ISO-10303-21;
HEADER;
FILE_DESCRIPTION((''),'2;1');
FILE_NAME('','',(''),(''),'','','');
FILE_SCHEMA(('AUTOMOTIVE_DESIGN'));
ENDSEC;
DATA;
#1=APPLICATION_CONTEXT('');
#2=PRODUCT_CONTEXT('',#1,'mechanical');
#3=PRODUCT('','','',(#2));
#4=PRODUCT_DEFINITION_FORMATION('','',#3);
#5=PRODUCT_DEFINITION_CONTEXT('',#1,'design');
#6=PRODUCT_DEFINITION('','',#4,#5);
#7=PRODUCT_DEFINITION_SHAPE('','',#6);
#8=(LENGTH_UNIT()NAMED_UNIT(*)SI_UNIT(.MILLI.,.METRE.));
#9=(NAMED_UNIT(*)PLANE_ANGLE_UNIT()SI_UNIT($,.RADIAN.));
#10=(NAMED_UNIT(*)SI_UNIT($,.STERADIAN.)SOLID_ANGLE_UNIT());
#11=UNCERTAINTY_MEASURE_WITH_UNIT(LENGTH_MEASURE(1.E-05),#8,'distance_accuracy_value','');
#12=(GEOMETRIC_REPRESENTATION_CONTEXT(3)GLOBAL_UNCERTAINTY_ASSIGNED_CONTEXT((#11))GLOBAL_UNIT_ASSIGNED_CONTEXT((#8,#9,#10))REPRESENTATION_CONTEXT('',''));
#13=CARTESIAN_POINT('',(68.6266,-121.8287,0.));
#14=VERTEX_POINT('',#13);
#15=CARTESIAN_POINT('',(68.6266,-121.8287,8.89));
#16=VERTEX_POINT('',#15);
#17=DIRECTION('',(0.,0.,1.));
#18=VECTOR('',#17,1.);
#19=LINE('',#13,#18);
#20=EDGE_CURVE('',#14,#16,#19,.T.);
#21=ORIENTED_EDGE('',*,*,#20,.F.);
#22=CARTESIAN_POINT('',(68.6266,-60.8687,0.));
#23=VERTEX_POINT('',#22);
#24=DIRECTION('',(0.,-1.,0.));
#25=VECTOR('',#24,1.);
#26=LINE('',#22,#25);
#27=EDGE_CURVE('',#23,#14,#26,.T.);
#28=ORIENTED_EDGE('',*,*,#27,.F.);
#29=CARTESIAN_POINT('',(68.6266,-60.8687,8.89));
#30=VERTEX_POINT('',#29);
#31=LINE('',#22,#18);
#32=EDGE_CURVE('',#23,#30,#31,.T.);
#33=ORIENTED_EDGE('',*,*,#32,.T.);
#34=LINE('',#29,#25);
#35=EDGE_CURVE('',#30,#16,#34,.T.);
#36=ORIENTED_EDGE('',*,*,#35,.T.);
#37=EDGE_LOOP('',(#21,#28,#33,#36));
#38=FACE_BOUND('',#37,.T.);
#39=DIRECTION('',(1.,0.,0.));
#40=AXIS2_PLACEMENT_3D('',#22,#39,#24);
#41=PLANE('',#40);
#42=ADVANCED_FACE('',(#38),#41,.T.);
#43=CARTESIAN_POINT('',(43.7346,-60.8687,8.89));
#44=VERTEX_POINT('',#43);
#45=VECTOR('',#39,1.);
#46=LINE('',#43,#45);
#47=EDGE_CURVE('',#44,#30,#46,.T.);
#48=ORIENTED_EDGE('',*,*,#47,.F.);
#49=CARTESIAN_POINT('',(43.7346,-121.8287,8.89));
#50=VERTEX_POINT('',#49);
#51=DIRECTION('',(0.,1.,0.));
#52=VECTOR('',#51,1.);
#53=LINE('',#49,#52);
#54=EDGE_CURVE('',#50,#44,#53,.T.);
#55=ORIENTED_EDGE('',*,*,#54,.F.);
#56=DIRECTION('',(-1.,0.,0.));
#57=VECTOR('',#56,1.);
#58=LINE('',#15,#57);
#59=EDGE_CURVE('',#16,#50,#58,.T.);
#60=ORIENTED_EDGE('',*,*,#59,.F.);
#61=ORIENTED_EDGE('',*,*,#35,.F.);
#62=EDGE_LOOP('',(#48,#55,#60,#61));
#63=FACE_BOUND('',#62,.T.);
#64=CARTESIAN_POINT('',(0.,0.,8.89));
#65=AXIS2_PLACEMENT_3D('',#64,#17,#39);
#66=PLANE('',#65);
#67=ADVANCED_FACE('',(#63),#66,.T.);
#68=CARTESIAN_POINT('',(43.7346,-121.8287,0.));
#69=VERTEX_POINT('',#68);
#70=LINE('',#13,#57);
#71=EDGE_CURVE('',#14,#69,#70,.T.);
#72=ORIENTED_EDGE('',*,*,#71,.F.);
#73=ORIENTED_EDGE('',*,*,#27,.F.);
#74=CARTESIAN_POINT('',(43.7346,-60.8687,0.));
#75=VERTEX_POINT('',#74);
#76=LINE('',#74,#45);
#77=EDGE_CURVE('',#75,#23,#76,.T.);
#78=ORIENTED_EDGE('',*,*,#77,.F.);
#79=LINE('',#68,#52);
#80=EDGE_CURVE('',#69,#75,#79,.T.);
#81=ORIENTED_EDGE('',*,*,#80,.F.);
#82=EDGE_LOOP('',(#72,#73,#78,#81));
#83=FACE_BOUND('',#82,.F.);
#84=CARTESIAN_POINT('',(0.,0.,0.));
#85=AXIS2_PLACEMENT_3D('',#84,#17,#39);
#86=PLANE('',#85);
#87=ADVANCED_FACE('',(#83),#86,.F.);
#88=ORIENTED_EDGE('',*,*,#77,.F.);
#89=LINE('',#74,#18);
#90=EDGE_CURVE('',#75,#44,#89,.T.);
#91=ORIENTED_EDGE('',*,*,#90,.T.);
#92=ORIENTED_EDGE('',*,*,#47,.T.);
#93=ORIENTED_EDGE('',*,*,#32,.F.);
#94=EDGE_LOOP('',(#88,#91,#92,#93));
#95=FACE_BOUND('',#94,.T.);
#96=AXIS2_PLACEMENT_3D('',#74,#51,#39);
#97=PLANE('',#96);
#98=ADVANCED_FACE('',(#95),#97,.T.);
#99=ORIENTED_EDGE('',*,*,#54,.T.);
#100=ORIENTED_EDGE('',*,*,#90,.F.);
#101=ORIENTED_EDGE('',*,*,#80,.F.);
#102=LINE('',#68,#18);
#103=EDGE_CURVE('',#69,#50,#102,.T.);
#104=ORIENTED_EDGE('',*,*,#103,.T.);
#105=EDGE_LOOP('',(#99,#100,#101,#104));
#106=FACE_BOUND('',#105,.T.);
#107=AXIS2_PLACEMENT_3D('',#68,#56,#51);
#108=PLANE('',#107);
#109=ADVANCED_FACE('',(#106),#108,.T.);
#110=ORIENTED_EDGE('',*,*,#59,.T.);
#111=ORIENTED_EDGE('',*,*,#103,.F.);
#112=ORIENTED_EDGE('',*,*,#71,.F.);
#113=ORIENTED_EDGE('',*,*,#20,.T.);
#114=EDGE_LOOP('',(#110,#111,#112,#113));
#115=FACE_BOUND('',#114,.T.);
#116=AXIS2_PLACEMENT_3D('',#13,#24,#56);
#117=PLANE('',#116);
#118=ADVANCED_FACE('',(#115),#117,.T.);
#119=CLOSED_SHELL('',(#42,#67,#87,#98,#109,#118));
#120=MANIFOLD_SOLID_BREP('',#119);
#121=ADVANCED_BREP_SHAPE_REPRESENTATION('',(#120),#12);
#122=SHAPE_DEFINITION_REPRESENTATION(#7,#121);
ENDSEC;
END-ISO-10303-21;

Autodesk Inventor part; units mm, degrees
ref_plane "YZ Plane" through (0, 0, 0) normal (1, 0, 0) x (0, 1, 0)
ref_plane "XZ Plane" through (0, 0, 0) normal (0, 1, 0) x (-1, 0, 0)
ref_plane "XY Plane" through (0, 0, 0) normal (0, 0, 1) x (1, 0, 0)
sketch "Sketch1" plane through (0, 0, 0) normal (0, 0, 1) x (1, 0, 0)
  line L0 (68.6266, -121.8287) -> (43.7346, -121.8287)
  line L1 (43.7346, -121.8287) -> (43.7346, -60.8687)
  line L2 (43.7346, -60.8687) -> (68.6266, -60.8687)
  line L3 (68.6266, -60.8687) -> (68.6266, -121.8287)
  point P0 (0, 0)
  dimension "d0" = 24.892
  dimension "d1" = 60.96
extrude "Extrusion1" add sketch "Sketch1" along normal blind 8.89
properties part number "HK 20A BEC"
